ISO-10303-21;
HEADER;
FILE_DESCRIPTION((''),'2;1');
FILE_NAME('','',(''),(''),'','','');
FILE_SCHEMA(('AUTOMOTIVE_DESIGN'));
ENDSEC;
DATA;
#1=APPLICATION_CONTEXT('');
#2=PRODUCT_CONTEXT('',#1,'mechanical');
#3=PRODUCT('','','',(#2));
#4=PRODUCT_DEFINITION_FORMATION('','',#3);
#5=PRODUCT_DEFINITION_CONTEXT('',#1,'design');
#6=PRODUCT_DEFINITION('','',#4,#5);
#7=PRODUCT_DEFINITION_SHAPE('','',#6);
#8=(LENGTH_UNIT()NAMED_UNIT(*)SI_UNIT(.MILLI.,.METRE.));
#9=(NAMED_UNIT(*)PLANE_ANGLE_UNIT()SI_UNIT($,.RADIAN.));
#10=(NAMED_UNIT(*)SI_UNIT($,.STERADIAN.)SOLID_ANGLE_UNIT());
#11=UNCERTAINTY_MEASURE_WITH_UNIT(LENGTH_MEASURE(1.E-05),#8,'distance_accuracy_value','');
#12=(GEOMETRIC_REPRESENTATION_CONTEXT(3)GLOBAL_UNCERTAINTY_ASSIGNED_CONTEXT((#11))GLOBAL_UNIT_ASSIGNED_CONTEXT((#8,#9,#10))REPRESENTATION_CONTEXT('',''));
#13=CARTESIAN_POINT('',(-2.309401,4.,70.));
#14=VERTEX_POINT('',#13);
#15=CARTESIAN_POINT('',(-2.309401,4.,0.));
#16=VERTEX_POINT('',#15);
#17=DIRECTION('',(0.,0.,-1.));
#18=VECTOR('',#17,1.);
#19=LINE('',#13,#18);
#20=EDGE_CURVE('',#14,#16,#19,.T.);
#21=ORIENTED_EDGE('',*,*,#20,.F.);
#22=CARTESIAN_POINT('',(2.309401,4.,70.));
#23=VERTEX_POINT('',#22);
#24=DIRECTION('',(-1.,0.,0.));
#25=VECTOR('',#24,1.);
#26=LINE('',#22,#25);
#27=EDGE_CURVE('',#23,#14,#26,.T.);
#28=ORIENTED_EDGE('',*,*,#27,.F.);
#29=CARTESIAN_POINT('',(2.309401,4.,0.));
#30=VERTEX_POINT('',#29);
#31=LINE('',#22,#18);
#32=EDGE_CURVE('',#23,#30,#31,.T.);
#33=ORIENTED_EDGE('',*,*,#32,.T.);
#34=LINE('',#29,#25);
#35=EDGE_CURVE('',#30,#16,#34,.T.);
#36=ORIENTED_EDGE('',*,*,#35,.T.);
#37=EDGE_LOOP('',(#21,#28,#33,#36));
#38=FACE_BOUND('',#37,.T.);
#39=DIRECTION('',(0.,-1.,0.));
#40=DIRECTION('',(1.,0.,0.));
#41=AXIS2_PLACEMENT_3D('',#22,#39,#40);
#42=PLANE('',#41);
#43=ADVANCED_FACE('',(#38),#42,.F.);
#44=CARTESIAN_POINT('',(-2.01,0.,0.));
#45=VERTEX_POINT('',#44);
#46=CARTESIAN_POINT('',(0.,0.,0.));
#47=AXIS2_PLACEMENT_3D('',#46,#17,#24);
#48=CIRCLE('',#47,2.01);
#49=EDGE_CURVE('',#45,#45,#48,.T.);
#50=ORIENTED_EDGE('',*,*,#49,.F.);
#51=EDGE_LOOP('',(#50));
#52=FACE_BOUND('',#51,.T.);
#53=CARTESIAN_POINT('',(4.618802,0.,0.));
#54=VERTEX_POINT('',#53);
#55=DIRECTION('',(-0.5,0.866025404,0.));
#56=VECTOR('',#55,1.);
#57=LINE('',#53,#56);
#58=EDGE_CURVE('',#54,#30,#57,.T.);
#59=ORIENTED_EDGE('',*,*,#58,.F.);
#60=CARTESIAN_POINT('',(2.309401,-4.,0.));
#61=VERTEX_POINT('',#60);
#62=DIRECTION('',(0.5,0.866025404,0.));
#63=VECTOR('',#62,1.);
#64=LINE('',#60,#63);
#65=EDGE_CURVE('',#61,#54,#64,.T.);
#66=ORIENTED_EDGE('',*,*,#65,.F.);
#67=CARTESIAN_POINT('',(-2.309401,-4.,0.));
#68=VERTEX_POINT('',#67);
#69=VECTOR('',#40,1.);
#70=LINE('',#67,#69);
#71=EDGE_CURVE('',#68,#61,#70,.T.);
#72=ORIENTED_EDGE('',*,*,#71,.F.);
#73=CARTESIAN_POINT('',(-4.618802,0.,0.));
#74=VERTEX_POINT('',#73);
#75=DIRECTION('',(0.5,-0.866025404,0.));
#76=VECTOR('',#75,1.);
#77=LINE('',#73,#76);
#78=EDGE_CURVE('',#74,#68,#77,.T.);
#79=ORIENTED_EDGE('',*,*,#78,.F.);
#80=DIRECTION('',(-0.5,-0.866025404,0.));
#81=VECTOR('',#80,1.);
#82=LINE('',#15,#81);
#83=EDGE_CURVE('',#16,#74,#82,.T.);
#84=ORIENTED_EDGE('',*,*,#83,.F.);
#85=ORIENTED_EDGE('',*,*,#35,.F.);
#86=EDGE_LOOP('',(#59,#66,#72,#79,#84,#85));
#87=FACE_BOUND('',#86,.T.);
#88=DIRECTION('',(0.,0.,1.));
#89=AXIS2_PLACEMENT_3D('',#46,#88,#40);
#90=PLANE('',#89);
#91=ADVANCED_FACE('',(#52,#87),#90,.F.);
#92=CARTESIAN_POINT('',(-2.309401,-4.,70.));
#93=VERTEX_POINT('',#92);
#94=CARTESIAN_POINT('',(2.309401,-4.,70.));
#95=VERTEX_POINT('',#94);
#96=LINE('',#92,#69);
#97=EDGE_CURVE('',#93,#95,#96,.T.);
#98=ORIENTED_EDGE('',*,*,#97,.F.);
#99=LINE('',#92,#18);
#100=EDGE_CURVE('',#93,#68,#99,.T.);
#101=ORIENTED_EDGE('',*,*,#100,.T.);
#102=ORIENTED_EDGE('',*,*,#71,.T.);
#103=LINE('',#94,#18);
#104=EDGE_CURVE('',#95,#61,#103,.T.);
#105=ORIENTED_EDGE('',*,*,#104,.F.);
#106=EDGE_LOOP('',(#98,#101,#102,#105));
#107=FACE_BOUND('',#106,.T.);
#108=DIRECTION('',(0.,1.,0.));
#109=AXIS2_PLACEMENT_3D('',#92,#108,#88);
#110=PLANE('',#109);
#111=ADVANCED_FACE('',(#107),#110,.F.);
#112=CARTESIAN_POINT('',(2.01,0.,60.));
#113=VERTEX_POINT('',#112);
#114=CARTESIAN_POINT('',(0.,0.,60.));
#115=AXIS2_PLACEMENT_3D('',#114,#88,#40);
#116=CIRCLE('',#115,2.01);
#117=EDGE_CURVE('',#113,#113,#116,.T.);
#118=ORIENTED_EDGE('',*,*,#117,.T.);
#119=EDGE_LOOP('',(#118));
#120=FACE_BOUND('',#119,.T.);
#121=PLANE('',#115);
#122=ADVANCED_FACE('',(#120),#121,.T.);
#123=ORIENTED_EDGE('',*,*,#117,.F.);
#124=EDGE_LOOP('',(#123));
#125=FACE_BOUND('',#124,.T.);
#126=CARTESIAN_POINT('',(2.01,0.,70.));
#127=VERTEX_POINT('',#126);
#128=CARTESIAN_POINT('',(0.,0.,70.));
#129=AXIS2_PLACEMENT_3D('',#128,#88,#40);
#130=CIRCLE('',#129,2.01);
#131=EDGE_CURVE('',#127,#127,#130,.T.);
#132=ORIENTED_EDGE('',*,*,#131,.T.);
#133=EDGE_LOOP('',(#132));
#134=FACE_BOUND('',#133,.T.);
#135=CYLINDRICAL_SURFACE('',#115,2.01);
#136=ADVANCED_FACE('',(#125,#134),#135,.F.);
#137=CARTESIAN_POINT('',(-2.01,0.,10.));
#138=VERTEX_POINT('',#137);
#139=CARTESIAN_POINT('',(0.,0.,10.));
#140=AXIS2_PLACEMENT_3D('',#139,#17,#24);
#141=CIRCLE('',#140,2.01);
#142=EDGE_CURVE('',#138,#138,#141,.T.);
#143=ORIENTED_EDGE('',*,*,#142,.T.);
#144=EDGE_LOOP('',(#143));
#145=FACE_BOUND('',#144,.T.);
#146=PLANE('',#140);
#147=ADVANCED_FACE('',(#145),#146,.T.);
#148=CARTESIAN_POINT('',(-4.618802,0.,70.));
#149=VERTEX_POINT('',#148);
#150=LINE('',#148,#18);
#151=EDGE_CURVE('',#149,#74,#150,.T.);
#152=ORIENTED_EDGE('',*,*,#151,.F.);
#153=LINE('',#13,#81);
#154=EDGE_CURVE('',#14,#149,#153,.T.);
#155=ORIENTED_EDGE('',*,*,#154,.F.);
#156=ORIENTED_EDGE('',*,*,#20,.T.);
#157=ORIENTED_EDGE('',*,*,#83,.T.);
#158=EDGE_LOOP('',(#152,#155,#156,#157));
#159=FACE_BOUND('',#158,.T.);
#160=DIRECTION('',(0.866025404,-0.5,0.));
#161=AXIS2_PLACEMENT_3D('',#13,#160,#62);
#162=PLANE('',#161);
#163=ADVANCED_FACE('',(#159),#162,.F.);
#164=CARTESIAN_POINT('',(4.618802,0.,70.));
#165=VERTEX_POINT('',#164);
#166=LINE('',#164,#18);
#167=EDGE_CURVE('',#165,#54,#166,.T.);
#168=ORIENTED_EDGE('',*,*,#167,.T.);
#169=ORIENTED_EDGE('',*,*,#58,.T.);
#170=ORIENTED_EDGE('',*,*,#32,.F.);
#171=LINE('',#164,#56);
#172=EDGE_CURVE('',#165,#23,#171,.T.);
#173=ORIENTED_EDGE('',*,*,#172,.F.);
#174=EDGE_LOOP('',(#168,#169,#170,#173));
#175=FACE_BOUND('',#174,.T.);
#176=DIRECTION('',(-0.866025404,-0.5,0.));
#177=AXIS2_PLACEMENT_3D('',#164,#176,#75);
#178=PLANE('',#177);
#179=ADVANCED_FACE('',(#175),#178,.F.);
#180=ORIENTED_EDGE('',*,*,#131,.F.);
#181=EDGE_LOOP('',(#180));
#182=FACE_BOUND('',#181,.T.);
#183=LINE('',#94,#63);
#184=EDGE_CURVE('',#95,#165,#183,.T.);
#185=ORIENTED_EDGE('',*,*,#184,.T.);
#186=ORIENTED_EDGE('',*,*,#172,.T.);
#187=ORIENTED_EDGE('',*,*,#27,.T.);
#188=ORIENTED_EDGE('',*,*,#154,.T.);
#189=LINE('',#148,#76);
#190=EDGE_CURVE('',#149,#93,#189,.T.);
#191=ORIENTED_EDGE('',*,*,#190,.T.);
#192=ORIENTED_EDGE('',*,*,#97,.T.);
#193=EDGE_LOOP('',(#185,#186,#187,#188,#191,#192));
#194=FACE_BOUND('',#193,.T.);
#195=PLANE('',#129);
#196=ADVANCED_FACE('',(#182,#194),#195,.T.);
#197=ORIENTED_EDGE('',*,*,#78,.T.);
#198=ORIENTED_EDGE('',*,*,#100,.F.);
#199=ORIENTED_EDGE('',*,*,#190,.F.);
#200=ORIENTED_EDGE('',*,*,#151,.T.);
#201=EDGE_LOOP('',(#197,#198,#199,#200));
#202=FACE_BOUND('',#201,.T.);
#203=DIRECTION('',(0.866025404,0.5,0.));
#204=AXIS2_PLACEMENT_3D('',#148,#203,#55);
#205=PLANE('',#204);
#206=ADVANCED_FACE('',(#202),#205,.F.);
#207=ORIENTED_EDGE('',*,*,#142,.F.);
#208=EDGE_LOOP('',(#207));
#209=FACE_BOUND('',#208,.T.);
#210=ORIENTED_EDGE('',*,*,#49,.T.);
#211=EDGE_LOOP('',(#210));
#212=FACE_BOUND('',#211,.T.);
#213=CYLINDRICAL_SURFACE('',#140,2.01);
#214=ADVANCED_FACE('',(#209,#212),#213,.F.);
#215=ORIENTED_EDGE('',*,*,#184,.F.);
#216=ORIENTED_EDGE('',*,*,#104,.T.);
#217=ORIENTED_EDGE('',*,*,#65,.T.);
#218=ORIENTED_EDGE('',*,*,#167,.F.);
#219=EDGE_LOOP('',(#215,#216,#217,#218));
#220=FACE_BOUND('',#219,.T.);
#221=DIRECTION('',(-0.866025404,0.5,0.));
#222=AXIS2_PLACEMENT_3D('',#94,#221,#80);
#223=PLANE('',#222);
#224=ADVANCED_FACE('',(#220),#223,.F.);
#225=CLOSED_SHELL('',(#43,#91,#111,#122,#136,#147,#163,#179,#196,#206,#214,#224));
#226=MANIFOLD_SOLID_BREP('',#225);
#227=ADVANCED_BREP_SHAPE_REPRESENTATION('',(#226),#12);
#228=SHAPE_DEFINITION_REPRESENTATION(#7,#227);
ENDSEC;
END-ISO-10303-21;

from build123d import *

# Parameters (mm, degrees)
F_70MM_DEPTH           = 70
SKETCH_M4_R            = 2.01
CUT_EXTRUDE_M4_DEPTH   = 10
CUT_EXTRUDE_START      = -10
SKETCH_M4_2_R          = 2.01
CUT_EXTRUDE_M4_2_DEPTH = 10


with BuildPart() as part:
    # Sketch 185 → 隔柱高度_70mm (new body)
    with BuildSketch(Plane.XY):
        Polygon((4.618802154, 0), (2.309401077, 4), (-2.309401077, 4), (-4.618802154, 0), (-2.309401077, -4), (2.309401077, -4), align=None)
    extrude(amount=F_70MM_DEPTH)

    # Sketch M4 → Cut-Extrude M4 (cut)
    with BuildSketch(Plane(origin=(0, 0, 0), x_dir=(-1, 0, 0), z_dir=(0, 0, -1))):
        Circle(SKETCH_M4_R)
    extrude(amount=-CUT_EXTRUDE_M4_DEPTH, mode=Mode.SUBTRACT)

    # Sketch M4 2 → Cut-Extrude M4 2 (cut)
    with BuildSketch(Plane.XY.offset(70).offset(CUT_EXTRUDE_START)):
        with Locations(Location((0, 0, 0), (0, 0, 180))):
            Circle(SKETCH_M4_2_R)
    extrude(amount=CUT_EXTRUDE_M4_2_DEPTH, mode=Mode.SUBTRACT)


solid = part.part
